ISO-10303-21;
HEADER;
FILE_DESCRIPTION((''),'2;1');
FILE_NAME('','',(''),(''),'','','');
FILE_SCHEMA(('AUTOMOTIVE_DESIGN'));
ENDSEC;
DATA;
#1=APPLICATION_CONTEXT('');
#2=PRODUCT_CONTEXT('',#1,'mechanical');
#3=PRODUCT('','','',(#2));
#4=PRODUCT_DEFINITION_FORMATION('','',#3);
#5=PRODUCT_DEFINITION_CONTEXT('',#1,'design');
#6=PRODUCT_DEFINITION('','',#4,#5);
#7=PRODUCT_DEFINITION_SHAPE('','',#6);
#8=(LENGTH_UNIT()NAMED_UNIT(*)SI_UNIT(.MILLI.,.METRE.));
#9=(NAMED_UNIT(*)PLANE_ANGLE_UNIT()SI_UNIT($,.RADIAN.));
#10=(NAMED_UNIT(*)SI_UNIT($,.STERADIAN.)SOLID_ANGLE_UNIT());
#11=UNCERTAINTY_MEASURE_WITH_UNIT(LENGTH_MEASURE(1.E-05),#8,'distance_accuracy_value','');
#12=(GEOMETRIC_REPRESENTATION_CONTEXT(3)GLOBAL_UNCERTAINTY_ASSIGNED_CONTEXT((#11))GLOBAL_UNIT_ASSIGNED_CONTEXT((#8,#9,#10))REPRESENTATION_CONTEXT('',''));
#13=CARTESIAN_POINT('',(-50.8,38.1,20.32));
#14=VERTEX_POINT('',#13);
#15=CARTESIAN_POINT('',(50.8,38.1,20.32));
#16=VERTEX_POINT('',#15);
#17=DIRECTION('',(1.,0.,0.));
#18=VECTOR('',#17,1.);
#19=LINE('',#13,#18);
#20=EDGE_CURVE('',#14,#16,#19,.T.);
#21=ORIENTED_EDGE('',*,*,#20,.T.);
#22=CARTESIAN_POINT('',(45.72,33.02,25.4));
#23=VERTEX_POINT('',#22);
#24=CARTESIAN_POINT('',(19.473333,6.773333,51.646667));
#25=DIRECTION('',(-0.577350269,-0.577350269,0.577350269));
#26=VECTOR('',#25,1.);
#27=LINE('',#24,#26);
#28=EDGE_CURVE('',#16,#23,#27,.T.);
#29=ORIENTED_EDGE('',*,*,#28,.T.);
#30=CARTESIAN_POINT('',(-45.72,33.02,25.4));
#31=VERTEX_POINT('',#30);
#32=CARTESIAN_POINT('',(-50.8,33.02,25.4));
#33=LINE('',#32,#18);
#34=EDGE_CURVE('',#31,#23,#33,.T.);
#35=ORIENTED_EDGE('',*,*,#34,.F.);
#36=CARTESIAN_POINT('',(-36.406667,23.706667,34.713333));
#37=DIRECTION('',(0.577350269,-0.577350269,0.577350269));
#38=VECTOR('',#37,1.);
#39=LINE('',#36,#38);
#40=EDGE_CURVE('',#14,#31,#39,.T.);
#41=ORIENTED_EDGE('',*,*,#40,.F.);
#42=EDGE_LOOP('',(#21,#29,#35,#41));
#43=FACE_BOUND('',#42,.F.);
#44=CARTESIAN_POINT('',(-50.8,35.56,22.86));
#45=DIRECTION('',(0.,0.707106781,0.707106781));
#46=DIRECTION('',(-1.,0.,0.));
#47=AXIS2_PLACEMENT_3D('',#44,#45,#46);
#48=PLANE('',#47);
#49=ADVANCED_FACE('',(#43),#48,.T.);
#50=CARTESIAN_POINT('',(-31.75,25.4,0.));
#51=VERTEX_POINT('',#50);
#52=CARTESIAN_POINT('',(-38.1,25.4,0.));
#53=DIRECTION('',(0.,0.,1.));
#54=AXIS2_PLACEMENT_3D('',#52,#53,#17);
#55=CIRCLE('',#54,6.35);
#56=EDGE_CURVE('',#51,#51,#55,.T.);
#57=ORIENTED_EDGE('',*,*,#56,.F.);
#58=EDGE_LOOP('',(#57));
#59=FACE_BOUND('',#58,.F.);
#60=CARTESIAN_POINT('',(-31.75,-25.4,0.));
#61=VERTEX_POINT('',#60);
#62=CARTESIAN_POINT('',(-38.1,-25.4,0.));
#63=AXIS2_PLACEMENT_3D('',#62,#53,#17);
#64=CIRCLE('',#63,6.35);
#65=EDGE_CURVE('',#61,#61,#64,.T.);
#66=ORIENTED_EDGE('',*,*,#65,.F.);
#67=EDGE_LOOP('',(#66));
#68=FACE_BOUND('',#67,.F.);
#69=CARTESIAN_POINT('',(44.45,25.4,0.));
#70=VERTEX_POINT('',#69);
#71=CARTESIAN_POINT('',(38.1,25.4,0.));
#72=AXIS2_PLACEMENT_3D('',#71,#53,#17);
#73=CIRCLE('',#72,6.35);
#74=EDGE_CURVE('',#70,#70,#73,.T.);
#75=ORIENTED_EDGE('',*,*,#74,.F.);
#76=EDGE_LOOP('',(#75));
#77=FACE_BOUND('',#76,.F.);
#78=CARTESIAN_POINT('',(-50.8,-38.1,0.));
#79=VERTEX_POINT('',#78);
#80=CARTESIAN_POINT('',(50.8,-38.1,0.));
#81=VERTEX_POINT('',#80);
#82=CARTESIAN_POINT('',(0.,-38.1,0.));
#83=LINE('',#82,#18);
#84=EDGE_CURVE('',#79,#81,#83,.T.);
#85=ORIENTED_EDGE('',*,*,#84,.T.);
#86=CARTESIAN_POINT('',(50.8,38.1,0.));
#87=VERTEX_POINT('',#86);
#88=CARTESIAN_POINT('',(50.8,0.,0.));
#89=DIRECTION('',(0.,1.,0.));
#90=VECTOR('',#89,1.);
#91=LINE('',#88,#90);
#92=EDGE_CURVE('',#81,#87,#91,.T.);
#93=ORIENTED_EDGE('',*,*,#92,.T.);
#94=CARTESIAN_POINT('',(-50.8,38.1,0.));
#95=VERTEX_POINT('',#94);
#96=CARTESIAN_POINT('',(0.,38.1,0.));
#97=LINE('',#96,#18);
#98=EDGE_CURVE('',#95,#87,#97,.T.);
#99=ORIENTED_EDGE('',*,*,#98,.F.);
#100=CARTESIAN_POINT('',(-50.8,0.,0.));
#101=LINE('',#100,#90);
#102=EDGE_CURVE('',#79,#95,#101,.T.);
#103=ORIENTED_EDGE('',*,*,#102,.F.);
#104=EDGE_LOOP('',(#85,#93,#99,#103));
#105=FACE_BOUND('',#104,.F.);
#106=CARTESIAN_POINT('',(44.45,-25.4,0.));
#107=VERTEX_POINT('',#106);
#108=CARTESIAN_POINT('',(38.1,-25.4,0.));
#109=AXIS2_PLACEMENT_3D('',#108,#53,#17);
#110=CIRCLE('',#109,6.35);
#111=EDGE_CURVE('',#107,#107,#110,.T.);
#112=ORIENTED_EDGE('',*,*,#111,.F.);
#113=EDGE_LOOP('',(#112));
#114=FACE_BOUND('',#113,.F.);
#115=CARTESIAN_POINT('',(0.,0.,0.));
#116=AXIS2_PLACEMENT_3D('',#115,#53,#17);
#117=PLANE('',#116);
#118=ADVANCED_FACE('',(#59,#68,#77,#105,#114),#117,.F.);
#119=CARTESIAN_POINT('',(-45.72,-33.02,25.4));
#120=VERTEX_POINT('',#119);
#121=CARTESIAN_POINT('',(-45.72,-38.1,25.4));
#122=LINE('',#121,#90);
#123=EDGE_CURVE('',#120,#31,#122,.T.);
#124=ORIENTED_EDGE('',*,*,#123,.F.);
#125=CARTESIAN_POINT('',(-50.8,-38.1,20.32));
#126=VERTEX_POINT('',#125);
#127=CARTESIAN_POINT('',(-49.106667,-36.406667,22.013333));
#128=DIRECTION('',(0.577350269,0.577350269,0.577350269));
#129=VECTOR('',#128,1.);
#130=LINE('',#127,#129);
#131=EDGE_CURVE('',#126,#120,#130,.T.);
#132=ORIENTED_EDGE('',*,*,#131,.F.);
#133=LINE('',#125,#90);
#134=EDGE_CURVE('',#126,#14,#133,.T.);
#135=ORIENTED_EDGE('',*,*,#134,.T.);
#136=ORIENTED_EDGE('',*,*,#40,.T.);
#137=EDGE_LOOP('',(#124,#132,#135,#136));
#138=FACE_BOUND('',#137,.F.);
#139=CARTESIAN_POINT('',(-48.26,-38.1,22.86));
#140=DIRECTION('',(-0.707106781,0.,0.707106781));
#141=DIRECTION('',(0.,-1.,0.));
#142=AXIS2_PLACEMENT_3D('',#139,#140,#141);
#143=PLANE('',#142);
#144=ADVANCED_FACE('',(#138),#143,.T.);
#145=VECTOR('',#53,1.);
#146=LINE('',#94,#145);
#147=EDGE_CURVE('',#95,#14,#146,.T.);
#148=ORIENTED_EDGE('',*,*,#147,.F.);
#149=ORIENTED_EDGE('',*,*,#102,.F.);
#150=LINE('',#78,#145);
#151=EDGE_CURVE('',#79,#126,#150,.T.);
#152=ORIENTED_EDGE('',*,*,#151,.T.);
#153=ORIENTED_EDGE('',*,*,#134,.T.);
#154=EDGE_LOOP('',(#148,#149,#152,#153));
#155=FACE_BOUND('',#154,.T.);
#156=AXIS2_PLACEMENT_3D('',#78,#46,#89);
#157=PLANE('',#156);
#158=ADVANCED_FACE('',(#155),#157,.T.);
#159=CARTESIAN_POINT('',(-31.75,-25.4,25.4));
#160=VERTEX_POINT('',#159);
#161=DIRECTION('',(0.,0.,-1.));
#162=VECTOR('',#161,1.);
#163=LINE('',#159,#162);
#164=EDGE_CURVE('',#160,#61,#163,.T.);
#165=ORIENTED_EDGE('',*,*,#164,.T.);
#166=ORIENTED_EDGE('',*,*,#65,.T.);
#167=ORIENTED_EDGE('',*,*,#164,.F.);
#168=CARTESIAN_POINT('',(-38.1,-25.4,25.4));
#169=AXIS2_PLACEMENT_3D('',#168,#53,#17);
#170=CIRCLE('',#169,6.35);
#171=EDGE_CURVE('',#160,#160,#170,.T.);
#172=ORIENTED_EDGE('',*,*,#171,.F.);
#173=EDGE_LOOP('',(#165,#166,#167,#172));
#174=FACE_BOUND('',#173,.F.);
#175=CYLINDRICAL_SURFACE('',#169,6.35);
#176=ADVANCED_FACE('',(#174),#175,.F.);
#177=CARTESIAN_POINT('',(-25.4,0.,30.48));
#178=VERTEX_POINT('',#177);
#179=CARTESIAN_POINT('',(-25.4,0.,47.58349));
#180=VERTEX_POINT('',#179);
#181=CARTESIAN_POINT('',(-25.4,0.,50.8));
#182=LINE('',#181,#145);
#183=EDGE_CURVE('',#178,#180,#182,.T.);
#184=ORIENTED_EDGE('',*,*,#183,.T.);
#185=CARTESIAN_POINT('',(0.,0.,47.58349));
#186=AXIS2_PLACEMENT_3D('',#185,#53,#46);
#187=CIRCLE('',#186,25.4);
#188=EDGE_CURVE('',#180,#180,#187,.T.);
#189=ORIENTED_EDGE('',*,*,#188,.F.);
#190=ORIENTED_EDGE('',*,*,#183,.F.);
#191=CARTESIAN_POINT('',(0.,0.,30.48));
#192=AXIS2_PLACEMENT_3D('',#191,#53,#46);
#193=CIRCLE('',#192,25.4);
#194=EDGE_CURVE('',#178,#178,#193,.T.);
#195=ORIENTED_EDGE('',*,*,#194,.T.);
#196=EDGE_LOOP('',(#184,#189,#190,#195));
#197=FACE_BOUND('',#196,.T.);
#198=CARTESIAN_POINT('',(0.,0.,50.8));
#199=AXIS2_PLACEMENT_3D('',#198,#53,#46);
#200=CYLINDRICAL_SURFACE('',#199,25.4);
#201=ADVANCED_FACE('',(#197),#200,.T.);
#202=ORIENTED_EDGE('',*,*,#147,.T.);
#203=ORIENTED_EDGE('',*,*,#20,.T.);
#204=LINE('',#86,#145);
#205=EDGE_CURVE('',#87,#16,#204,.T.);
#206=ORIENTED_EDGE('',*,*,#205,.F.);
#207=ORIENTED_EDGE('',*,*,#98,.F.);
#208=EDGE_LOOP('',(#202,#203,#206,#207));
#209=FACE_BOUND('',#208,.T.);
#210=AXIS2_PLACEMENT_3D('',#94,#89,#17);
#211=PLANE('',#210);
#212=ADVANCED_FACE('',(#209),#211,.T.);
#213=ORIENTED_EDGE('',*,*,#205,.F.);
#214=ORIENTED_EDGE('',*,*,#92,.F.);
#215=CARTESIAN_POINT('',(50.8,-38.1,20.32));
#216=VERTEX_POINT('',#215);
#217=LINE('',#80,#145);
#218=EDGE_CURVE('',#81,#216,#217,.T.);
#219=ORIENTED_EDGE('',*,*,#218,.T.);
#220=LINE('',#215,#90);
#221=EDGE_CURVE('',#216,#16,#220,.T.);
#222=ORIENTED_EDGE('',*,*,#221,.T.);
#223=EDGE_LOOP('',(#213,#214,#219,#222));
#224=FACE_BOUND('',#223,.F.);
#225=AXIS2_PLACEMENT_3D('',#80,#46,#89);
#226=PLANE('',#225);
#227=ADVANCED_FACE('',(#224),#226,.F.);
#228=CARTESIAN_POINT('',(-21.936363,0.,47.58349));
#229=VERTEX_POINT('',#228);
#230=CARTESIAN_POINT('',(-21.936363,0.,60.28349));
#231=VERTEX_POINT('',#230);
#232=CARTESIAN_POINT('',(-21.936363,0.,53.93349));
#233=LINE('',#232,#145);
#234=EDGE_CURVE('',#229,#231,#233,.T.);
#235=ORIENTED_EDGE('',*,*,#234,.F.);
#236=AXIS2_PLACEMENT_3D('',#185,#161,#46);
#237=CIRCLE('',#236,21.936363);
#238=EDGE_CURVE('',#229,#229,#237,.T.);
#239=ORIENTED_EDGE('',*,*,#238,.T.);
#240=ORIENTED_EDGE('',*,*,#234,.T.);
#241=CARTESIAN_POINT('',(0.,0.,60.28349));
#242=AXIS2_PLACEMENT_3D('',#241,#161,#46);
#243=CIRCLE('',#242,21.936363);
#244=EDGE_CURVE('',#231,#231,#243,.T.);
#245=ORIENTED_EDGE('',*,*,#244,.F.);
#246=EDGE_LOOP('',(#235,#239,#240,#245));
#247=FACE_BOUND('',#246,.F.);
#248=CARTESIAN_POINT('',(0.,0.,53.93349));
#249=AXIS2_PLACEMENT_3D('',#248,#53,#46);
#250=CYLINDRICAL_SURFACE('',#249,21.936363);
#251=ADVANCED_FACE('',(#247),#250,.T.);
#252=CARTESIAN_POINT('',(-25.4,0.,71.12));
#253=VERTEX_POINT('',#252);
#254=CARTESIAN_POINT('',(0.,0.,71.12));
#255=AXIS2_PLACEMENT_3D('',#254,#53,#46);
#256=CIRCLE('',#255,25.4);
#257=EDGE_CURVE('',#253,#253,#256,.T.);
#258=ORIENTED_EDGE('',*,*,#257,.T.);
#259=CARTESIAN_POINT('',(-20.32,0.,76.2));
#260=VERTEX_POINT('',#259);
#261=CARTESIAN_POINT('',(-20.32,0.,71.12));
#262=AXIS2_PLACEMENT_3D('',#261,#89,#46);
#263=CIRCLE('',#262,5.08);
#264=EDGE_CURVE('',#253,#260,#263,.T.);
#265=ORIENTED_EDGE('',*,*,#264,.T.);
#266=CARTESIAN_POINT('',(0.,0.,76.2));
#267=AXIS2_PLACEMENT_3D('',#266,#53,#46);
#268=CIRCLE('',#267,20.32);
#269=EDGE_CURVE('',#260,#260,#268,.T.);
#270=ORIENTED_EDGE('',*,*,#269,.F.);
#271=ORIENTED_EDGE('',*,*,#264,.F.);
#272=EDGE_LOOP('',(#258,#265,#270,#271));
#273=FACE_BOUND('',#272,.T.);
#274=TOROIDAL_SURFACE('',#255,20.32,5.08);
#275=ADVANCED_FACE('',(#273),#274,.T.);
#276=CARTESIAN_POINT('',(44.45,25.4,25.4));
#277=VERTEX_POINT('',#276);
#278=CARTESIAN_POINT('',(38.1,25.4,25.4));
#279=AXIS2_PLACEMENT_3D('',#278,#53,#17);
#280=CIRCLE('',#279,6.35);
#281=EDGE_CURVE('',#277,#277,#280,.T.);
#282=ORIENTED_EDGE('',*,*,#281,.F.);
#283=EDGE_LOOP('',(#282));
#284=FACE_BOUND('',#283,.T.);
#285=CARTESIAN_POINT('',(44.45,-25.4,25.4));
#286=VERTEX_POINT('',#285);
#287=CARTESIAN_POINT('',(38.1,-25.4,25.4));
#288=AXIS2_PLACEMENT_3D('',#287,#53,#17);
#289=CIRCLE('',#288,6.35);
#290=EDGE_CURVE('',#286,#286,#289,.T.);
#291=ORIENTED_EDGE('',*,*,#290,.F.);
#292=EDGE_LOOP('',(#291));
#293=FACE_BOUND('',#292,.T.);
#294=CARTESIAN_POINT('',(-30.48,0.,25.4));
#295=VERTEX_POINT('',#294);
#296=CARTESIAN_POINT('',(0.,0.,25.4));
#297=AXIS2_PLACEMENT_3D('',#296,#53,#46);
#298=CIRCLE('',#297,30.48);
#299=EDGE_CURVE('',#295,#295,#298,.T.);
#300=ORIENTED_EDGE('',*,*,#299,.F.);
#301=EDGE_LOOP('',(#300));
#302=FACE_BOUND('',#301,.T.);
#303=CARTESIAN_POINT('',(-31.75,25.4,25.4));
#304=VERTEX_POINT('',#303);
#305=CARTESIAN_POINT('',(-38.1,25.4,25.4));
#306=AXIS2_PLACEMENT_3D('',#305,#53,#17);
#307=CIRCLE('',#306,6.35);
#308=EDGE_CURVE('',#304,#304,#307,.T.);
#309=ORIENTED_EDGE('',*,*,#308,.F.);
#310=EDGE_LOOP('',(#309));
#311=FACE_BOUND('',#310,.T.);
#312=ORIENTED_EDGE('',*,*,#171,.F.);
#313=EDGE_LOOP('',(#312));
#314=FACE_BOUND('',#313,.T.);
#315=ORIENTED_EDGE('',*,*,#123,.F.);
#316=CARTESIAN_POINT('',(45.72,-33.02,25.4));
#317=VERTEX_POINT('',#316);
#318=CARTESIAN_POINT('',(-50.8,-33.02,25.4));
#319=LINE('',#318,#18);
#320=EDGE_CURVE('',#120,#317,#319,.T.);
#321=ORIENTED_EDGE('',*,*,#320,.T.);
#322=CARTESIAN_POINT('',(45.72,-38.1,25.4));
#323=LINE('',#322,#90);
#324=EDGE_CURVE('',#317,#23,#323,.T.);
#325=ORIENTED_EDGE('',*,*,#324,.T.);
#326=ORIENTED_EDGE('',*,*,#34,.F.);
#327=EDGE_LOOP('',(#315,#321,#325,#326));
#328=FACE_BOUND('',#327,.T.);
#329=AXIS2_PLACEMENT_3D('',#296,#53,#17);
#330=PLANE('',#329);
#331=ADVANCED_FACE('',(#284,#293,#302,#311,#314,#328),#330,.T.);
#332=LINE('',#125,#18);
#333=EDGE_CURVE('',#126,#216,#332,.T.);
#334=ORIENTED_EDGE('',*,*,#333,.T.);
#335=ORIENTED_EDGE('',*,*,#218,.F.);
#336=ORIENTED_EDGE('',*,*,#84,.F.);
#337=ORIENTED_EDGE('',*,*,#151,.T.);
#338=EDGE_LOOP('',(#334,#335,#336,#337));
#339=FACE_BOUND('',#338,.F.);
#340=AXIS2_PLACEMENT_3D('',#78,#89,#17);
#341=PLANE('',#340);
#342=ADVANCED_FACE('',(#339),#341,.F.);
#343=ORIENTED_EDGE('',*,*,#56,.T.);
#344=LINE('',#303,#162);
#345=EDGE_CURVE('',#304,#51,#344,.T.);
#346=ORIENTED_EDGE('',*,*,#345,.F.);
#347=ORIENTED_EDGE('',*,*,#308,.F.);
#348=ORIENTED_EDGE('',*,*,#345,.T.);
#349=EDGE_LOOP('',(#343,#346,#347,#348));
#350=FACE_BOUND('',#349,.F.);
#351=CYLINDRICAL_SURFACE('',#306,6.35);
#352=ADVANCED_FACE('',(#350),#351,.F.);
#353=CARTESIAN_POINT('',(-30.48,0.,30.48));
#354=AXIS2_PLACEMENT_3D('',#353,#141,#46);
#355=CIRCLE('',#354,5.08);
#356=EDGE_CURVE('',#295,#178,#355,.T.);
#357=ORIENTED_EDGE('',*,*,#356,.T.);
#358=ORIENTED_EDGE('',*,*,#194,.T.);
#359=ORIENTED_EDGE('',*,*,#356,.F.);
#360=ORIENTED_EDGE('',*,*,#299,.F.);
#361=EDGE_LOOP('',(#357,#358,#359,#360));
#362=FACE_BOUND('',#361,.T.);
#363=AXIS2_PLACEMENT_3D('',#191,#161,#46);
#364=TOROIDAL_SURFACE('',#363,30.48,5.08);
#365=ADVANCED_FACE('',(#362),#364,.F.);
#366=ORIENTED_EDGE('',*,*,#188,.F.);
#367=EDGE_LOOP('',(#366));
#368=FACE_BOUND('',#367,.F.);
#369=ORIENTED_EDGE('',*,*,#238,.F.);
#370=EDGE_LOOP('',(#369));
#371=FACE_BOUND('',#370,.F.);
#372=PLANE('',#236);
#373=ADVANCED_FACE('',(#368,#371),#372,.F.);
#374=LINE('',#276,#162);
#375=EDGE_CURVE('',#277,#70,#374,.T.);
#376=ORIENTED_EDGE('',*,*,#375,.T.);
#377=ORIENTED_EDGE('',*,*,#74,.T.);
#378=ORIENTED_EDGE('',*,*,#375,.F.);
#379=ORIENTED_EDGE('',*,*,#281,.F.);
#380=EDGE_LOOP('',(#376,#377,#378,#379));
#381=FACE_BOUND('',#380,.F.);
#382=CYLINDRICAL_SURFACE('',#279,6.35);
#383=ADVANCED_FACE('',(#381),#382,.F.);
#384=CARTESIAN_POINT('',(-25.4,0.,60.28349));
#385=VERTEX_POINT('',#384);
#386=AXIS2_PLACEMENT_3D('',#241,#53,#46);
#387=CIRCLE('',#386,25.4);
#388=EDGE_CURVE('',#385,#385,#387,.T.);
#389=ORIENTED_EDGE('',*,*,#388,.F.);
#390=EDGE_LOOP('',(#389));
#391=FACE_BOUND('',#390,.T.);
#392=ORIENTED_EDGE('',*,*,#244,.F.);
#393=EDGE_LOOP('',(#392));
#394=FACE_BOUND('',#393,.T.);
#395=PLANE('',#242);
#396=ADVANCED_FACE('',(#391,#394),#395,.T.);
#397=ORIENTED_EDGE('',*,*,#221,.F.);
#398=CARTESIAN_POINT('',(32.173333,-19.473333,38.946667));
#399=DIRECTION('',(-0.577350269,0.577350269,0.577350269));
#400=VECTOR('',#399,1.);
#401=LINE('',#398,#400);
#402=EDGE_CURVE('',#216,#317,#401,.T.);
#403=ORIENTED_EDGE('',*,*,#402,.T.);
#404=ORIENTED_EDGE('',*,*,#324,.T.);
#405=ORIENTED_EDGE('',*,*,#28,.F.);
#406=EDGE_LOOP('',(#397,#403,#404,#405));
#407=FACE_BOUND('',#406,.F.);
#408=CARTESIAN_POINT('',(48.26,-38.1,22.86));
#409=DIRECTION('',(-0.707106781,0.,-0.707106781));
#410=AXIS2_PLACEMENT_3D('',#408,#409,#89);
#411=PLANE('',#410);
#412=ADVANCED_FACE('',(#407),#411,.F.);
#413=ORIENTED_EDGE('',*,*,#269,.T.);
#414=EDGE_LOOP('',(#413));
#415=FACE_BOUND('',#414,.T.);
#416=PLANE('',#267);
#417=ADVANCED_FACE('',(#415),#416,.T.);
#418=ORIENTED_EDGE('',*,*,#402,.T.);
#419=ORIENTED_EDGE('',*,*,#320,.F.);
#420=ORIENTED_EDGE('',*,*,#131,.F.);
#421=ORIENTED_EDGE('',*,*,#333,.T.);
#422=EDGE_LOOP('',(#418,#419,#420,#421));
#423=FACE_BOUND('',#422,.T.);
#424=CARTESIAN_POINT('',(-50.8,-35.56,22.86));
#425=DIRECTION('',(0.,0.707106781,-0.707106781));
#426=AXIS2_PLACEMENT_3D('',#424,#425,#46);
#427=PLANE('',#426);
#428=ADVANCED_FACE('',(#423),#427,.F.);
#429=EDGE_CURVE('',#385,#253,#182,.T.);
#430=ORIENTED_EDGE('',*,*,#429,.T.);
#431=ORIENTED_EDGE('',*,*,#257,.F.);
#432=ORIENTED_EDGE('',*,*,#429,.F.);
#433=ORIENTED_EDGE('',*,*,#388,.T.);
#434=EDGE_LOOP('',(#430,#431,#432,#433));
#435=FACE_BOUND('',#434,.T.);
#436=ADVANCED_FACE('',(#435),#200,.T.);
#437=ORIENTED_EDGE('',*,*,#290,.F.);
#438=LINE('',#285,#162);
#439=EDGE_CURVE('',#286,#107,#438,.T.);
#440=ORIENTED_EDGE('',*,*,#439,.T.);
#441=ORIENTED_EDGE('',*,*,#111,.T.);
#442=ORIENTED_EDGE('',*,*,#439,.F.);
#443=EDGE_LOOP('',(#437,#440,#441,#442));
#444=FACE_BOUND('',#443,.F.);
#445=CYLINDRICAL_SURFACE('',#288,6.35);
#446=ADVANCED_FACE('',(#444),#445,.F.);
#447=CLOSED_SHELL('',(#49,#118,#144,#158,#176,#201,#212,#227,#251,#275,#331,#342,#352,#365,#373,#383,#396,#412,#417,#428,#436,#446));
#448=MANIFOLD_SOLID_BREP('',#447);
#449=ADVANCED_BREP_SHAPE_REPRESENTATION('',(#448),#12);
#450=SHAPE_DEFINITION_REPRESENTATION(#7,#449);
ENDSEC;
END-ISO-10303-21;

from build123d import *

# Parameters (mm, degrees)
F0_W     = 101.6
F0_H     = 76.2
F1_DEPTH = 25.4
F2_R     = 6.35
F3_DEPTH = 25.4
F4_W     = 25.4
F4_H     = 50.8
F6_W     = 16.163637
F6_H     = 12.7
F8_SIZE  = 5.08
F9_R     = 5.08


with BuildPart() as f1:
    # F0 (on Top) → F1 (new body)
    with BuildSketch(Plane.XY):
        Rectangle(F0_W, F0_H)
    extrude(amount=F1_DEPTH)

    # F2 (on face) → F3 (cut)
    with BuildSketch(Plane.XY.offset(25.4)):
        with Locations((-38.1, 25.4)):
            Circle(F2_R)
        with Locations((38.1, 25.4)):
            Circle(F2_R)
        with Locations((38.1, -25.4)):
            Circle(F2_R)
        with Locations((-38.1, -25.4)):
            Circle(F2_R)
    extrude(amount=-F3_DEPTH, mode=Mode.SUBTRACT)

    # F4 (on Front) → F5 (revolve)
    with BuildSketch(Plane.XZ):
        with Locations((-12.7, 50.8)):
            Rectangle(F4_W, F4_H)
    revolve(axis=Axis((0, 0, 50.8), (0, 0, 1)))

    # F6 (on Front) → F7 (revolve, cut)
    with BuildSketch(Plane.XZ):
        with Locations((-30.018182, 53.93349)):
            Rectangle(F6_W, F6_H)
    revolve(axis=Axis((0, 0, 76.2), (0, 0, -1)), mode=Mode.SUBTRACT)

    # F8
    f8_edges = [f1.edges().sort_by_distance(p)[0] for p in [
        (0, -38.1, 25.4),
        (-50.8, 0, 25.4),
        (0, 38.1, 25.4),
        (50.8, 0, 25.4),
    ]]
    chamfer(f8_edges, length=F8_SIZE)

    # F9
    f9_edges = [f1.edges().sort_by_distance(p)[0] for p in [
        (25.4, 0, 25.4),
        (25.4, 0, 76.2),
    ]]
    fillet(f9_edges, radius=F9_R)


solid = f1.part
